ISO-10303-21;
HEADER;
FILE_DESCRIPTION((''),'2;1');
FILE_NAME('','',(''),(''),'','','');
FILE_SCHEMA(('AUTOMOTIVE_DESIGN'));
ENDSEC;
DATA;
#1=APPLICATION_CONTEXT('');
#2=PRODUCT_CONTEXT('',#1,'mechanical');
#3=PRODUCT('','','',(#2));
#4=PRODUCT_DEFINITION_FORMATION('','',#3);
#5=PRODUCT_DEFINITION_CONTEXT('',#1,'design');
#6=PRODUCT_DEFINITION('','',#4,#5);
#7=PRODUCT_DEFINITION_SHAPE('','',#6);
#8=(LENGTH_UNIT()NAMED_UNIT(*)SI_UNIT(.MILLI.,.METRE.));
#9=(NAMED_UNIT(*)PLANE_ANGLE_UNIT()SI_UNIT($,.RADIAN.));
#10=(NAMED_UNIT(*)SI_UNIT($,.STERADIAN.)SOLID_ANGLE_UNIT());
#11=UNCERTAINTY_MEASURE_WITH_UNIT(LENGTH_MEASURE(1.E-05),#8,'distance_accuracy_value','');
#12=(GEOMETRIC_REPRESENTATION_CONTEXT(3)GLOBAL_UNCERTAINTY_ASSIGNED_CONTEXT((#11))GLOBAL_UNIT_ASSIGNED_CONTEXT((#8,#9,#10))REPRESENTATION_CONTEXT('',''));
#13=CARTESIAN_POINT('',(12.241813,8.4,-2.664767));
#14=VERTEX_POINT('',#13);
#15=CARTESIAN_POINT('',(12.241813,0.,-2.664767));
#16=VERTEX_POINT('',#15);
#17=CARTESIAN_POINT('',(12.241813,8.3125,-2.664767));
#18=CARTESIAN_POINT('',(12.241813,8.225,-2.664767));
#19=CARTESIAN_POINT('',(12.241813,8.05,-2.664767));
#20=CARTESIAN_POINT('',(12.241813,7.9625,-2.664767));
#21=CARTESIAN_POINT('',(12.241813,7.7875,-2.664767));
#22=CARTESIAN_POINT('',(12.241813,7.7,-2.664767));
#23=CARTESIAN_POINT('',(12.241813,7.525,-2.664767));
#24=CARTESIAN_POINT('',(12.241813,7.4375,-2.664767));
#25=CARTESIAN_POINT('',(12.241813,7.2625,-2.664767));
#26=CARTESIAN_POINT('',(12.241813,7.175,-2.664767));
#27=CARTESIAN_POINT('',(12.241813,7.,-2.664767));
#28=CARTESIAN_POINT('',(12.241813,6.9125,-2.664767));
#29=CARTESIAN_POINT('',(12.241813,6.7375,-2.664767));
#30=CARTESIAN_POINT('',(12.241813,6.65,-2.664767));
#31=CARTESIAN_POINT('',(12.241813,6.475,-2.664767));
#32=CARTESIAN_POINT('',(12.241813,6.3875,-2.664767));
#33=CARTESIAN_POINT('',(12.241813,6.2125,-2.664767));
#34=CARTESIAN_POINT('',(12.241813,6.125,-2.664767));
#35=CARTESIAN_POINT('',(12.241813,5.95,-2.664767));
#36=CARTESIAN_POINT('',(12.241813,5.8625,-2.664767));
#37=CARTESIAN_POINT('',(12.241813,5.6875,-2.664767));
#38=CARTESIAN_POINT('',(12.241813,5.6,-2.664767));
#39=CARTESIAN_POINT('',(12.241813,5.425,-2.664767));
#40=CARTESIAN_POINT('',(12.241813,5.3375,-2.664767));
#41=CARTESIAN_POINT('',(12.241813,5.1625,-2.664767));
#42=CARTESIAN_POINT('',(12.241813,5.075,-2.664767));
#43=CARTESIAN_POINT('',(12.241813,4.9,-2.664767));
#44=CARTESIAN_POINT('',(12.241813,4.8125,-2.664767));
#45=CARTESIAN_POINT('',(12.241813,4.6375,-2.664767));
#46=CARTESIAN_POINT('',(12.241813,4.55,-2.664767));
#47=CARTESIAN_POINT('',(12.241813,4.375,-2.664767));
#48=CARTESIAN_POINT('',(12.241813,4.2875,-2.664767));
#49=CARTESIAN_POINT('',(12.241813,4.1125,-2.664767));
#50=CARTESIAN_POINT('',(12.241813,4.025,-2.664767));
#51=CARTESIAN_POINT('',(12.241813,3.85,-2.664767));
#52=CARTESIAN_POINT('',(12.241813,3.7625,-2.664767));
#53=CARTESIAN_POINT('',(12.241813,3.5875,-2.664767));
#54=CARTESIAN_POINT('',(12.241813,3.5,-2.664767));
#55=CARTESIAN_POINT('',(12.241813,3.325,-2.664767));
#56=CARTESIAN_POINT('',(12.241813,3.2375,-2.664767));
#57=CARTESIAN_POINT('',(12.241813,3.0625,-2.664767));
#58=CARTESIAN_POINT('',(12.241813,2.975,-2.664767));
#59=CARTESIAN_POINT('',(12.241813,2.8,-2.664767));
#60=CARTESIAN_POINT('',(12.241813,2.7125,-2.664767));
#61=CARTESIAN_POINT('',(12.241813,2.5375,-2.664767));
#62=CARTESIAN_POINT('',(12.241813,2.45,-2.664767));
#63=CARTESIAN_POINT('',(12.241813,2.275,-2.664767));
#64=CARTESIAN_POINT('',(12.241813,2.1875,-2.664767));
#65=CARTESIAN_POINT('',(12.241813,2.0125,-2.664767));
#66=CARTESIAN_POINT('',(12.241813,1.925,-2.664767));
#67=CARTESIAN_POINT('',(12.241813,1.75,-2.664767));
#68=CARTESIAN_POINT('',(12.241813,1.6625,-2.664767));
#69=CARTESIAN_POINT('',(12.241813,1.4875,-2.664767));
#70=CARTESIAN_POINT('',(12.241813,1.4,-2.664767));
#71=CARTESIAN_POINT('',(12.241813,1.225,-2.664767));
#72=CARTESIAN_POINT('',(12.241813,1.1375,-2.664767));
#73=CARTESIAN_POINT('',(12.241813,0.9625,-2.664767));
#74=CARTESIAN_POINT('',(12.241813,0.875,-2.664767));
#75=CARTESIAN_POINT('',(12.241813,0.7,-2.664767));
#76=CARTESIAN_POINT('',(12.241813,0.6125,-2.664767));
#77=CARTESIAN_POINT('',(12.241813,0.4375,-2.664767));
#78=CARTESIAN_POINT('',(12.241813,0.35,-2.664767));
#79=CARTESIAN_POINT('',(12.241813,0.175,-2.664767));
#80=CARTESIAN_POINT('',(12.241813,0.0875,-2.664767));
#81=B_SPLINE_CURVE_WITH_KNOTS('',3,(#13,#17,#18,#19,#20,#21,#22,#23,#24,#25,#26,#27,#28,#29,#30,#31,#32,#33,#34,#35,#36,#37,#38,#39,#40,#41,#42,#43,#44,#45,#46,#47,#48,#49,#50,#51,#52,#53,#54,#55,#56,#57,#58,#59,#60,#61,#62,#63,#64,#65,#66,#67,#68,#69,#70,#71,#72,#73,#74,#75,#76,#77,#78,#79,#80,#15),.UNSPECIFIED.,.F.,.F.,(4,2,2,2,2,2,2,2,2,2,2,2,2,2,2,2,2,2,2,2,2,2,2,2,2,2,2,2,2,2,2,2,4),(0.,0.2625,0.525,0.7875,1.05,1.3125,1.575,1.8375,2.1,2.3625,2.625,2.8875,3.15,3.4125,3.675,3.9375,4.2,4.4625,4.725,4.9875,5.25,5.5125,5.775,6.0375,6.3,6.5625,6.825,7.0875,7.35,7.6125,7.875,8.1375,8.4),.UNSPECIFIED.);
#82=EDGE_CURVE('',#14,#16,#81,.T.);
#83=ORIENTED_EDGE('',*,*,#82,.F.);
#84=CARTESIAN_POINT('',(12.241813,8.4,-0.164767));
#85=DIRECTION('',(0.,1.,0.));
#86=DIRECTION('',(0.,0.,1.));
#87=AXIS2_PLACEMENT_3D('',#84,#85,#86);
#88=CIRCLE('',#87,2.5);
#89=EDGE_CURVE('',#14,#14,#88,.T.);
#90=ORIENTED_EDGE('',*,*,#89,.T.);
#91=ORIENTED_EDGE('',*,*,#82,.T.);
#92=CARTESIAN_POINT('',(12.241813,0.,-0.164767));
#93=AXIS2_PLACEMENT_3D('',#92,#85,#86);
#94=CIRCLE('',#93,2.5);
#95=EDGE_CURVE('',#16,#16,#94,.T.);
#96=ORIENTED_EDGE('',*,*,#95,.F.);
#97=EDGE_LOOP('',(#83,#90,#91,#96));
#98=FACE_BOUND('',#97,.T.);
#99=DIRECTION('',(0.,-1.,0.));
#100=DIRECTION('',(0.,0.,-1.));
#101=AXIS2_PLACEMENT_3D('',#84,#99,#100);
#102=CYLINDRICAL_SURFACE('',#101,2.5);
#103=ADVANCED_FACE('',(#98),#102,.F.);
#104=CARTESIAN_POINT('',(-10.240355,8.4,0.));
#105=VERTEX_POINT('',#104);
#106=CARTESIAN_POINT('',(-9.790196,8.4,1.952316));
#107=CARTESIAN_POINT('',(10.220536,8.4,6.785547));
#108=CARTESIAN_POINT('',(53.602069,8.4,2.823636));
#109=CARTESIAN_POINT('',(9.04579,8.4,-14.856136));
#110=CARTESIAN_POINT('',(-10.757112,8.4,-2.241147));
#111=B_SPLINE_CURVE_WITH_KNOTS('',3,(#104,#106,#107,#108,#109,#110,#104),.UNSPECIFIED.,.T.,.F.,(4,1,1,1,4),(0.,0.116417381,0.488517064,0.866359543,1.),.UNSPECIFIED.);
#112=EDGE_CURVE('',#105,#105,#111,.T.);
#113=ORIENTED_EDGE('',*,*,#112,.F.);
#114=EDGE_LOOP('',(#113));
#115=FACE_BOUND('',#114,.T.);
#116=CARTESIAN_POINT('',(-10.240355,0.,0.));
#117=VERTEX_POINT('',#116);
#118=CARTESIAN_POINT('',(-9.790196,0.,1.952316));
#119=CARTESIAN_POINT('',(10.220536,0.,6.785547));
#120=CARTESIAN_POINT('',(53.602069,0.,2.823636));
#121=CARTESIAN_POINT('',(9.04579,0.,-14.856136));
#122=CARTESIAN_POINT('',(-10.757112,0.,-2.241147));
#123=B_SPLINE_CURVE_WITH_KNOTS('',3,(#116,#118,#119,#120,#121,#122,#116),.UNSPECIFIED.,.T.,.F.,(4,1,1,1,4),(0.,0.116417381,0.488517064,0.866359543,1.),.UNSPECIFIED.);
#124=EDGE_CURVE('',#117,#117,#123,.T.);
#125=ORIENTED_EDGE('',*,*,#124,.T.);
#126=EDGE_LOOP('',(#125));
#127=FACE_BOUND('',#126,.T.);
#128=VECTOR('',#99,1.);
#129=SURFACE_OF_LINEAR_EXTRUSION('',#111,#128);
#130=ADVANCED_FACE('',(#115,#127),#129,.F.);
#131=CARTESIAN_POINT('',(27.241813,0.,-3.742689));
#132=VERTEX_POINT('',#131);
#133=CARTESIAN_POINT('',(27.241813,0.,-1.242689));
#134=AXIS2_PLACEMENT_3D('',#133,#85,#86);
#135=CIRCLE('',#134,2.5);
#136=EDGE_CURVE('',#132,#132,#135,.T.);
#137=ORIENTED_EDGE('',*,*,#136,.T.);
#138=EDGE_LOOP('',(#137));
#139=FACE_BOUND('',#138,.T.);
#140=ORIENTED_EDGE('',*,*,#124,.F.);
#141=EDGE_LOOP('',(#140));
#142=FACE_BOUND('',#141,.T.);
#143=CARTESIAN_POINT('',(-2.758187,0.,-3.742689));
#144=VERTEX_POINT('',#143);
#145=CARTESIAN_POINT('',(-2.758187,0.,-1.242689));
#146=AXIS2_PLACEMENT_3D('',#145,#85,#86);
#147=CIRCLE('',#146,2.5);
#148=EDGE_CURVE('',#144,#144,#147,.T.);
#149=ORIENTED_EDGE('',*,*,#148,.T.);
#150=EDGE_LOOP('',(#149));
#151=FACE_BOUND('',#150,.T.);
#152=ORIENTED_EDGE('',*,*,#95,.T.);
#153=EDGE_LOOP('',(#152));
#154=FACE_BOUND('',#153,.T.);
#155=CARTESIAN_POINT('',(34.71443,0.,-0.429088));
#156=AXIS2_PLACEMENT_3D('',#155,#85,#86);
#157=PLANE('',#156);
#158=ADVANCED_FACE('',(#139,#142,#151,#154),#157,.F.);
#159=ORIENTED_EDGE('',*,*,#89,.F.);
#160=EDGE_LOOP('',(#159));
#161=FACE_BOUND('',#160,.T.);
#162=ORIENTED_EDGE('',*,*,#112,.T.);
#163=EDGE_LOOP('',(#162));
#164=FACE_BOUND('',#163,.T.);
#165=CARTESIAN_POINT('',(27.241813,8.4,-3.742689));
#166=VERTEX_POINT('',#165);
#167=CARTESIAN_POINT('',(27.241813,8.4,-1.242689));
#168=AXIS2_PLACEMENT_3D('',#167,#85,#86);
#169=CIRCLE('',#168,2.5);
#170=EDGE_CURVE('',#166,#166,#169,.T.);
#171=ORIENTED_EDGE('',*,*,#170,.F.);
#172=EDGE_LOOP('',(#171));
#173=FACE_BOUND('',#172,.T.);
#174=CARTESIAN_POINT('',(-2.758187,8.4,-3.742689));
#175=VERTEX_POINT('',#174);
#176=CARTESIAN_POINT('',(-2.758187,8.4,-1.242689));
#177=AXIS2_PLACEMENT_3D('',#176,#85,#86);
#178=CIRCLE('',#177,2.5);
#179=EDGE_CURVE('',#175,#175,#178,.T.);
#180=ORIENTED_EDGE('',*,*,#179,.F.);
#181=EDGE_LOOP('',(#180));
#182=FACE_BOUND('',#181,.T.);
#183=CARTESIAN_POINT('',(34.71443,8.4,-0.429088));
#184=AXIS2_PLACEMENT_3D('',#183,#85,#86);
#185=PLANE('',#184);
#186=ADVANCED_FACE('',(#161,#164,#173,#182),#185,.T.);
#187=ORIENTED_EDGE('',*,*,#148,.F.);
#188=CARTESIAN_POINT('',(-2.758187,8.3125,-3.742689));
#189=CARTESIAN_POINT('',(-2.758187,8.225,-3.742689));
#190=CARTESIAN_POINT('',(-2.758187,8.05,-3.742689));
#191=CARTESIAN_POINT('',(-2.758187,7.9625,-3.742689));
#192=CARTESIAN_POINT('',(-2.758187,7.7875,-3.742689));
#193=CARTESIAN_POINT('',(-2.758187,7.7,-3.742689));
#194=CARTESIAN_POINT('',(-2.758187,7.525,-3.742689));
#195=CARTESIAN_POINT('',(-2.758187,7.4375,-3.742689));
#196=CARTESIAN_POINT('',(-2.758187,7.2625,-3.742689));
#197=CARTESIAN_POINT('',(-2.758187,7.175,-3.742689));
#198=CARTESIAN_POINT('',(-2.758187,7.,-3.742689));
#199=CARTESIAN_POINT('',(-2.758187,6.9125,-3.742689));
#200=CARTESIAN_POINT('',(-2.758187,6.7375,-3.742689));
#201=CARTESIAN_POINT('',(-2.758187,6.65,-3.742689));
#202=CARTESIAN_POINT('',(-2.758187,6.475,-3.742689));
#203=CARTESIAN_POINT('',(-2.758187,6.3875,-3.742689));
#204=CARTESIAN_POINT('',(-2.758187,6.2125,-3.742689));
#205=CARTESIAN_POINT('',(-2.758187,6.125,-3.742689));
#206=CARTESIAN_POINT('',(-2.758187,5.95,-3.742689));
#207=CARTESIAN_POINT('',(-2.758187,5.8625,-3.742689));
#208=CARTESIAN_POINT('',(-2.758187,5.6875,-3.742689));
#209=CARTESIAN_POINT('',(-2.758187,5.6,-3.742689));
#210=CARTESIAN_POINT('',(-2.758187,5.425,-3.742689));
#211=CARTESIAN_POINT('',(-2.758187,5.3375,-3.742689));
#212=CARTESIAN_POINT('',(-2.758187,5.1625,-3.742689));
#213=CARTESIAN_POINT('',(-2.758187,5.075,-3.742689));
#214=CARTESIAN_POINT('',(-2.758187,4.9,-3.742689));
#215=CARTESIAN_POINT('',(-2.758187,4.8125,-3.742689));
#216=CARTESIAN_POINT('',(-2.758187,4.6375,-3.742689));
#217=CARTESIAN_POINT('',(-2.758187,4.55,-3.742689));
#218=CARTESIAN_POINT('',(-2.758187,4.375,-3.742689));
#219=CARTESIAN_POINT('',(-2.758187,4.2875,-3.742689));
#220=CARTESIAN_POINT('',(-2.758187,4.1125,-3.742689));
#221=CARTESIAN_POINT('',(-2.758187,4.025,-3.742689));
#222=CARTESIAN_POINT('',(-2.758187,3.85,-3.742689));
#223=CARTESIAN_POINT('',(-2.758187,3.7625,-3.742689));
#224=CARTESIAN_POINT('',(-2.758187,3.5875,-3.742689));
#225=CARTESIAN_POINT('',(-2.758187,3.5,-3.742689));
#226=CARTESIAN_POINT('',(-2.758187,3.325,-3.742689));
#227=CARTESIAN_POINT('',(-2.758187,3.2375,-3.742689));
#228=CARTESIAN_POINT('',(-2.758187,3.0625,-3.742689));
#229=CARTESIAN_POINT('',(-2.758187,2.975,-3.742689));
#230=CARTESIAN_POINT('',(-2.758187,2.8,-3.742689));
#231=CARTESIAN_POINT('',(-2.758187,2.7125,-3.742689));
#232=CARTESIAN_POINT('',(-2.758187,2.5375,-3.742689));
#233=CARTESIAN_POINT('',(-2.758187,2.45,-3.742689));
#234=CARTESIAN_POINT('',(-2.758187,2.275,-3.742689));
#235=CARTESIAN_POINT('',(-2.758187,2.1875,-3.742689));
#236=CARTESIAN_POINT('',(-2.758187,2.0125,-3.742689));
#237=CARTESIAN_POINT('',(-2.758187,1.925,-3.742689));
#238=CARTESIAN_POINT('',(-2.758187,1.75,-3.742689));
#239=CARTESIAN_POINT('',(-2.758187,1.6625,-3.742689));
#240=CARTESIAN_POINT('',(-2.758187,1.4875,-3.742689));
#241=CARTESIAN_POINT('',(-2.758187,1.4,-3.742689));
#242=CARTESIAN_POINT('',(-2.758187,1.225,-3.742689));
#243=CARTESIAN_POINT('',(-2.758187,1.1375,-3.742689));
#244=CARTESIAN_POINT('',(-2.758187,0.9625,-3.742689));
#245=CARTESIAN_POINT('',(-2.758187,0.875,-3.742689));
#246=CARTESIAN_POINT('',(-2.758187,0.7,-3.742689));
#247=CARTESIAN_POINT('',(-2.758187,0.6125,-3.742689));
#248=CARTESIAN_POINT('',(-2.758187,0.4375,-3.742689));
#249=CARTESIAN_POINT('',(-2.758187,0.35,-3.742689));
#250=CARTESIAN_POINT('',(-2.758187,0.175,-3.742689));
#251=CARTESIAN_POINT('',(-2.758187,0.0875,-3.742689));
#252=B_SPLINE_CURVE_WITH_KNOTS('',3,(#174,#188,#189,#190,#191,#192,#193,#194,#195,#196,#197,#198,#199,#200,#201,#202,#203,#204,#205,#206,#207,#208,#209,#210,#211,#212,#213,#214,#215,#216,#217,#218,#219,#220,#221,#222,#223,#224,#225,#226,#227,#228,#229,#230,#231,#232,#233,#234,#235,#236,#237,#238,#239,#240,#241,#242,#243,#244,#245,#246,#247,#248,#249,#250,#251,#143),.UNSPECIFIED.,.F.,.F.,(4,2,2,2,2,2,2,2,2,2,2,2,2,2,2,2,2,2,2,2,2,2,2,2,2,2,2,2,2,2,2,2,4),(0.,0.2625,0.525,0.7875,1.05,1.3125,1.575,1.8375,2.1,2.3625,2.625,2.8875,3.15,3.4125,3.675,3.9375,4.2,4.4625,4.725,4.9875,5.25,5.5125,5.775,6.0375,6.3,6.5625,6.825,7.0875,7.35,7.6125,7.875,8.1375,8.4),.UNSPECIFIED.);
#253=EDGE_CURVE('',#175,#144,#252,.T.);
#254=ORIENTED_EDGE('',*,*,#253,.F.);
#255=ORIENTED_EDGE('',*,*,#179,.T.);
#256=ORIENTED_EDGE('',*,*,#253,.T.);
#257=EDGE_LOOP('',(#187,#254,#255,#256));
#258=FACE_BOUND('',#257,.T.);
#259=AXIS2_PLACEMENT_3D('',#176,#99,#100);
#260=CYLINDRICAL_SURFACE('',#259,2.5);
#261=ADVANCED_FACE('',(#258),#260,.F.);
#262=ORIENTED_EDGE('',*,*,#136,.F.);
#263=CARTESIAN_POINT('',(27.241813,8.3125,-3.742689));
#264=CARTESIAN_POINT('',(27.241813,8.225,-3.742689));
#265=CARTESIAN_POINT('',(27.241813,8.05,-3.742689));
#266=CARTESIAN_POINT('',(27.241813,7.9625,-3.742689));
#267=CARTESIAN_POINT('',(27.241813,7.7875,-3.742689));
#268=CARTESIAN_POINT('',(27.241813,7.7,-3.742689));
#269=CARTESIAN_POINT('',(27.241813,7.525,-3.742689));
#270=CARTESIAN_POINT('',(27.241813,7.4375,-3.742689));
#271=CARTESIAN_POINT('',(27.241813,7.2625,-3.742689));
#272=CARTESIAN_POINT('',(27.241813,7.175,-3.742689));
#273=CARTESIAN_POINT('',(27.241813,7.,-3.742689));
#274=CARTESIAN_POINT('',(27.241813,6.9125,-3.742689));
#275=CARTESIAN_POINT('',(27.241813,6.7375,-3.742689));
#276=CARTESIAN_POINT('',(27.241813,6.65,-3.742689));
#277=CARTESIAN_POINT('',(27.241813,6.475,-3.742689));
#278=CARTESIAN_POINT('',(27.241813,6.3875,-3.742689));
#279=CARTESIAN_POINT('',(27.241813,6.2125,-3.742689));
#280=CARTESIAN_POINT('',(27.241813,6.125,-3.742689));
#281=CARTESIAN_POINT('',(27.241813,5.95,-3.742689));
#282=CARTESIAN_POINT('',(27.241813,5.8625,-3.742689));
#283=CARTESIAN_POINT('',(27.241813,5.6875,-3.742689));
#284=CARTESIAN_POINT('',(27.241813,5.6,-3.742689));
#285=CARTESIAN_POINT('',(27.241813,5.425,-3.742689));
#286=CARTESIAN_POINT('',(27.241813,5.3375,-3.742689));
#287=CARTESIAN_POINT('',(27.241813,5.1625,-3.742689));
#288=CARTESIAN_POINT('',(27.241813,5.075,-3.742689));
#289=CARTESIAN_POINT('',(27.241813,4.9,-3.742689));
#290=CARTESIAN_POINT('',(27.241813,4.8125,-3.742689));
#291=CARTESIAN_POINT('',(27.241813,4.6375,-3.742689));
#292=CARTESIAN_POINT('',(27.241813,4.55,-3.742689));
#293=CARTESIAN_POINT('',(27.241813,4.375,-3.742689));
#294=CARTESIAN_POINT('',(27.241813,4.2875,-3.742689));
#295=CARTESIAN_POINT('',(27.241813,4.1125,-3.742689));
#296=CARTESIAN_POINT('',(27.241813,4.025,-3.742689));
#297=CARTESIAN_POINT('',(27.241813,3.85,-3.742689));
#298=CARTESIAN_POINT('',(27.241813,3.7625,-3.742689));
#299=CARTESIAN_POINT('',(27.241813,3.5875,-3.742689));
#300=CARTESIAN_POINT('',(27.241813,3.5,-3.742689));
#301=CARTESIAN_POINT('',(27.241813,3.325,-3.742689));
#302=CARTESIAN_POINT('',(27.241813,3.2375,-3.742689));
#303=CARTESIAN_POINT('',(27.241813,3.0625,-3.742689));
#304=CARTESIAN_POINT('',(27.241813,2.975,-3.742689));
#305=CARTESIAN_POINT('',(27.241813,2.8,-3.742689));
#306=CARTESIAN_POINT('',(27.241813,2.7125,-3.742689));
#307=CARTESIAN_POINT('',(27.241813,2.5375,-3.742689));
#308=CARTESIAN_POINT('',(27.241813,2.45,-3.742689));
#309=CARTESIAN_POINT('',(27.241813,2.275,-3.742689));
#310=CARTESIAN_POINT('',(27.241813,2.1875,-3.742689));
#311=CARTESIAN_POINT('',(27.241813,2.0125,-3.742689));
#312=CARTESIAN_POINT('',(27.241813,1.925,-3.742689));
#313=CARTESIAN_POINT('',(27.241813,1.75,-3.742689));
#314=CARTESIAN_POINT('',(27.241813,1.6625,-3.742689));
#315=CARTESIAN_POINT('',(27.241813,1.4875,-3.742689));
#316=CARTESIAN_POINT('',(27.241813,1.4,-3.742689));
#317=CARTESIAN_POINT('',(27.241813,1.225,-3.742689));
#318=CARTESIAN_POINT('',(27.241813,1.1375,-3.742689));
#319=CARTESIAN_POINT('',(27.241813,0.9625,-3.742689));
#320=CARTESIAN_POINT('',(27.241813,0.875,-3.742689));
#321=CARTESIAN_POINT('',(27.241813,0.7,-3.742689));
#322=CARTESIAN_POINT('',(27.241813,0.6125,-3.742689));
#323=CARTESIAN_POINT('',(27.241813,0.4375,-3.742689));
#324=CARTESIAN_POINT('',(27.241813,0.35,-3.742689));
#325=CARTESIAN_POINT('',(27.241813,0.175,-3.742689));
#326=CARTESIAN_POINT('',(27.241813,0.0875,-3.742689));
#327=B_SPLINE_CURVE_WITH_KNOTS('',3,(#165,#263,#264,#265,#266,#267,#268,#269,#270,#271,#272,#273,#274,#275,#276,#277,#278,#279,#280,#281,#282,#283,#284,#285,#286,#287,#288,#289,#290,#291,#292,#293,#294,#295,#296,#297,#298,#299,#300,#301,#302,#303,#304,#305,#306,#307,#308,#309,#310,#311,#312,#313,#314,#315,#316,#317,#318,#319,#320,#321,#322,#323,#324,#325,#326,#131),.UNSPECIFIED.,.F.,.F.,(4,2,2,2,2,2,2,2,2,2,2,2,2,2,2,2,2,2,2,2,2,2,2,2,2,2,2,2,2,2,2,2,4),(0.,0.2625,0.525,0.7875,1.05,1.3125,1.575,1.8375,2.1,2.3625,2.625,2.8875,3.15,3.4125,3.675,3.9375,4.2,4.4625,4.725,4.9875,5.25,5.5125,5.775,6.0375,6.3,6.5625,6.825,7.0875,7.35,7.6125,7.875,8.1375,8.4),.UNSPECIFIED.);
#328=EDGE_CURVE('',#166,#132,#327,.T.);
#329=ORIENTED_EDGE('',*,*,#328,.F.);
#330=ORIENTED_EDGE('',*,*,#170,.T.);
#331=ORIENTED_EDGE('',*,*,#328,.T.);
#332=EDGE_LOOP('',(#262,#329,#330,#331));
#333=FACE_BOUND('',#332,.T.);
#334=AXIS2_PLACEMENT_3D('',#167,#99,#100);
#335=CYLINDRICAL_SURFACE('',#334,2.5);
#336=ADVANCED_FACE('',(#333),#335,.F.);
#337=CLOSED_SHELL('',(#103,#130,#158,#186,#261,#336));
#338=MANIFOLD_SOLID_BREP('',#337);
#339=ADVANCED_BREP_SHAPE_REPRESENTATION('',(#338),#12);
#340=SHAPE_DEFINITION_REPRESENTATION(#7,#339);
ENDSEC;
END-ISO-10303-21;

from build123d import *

# Parameters (mm, degrees)
SKETCH1_R           = 2.5
BOSS_EXTRUDE1_DEPTH = 8.4


with BuildPart() as part:
    # Sketch1 → Boss-Extrude1 (new body)
    with BuildSketch(Plane(origin=(0, 0, 0), x_dir=(1, 0, 0), z_dir=(0, 1, 0))):
        with BuildLine():
            add(Edge.make_bspline(
                [(-10.240354905, 0), (-10.757111925, 2.241146541), (9.045790116, 14.85613588), (53.602069334, -2.823636103), (10.22053594, -6.785546854), (-9.79019557, -1.952316076), (-10.240354905, 0)],
                knots=[0, 0, 0, 0, 0.133640457, 0.511482936, 0.883582619, 1, 1, 1, 1], degree=3))
        make_face()
        with Locations(Location((-2.758186563, 1.242688512, 0), (0, 0, 90))):
            Circle(SKETCH1_R, mode=Mode.SUBTRACT)
        with Locations(Location((12.241813437, 0.164766664, 0), (0, 0, 90))):
            Circle(SKETCH1_R, mode=Mode.SUBTRACT)
        with Locations(Location((27.241813437, 1.242688512, 0), (0, 0, 90))):
            Circle(SKETCH1_R, mode=Mode.SUBTRACT)
    extrude(amount=BOSS_EXTRUDE1_DEPTH)


solid = part.part
